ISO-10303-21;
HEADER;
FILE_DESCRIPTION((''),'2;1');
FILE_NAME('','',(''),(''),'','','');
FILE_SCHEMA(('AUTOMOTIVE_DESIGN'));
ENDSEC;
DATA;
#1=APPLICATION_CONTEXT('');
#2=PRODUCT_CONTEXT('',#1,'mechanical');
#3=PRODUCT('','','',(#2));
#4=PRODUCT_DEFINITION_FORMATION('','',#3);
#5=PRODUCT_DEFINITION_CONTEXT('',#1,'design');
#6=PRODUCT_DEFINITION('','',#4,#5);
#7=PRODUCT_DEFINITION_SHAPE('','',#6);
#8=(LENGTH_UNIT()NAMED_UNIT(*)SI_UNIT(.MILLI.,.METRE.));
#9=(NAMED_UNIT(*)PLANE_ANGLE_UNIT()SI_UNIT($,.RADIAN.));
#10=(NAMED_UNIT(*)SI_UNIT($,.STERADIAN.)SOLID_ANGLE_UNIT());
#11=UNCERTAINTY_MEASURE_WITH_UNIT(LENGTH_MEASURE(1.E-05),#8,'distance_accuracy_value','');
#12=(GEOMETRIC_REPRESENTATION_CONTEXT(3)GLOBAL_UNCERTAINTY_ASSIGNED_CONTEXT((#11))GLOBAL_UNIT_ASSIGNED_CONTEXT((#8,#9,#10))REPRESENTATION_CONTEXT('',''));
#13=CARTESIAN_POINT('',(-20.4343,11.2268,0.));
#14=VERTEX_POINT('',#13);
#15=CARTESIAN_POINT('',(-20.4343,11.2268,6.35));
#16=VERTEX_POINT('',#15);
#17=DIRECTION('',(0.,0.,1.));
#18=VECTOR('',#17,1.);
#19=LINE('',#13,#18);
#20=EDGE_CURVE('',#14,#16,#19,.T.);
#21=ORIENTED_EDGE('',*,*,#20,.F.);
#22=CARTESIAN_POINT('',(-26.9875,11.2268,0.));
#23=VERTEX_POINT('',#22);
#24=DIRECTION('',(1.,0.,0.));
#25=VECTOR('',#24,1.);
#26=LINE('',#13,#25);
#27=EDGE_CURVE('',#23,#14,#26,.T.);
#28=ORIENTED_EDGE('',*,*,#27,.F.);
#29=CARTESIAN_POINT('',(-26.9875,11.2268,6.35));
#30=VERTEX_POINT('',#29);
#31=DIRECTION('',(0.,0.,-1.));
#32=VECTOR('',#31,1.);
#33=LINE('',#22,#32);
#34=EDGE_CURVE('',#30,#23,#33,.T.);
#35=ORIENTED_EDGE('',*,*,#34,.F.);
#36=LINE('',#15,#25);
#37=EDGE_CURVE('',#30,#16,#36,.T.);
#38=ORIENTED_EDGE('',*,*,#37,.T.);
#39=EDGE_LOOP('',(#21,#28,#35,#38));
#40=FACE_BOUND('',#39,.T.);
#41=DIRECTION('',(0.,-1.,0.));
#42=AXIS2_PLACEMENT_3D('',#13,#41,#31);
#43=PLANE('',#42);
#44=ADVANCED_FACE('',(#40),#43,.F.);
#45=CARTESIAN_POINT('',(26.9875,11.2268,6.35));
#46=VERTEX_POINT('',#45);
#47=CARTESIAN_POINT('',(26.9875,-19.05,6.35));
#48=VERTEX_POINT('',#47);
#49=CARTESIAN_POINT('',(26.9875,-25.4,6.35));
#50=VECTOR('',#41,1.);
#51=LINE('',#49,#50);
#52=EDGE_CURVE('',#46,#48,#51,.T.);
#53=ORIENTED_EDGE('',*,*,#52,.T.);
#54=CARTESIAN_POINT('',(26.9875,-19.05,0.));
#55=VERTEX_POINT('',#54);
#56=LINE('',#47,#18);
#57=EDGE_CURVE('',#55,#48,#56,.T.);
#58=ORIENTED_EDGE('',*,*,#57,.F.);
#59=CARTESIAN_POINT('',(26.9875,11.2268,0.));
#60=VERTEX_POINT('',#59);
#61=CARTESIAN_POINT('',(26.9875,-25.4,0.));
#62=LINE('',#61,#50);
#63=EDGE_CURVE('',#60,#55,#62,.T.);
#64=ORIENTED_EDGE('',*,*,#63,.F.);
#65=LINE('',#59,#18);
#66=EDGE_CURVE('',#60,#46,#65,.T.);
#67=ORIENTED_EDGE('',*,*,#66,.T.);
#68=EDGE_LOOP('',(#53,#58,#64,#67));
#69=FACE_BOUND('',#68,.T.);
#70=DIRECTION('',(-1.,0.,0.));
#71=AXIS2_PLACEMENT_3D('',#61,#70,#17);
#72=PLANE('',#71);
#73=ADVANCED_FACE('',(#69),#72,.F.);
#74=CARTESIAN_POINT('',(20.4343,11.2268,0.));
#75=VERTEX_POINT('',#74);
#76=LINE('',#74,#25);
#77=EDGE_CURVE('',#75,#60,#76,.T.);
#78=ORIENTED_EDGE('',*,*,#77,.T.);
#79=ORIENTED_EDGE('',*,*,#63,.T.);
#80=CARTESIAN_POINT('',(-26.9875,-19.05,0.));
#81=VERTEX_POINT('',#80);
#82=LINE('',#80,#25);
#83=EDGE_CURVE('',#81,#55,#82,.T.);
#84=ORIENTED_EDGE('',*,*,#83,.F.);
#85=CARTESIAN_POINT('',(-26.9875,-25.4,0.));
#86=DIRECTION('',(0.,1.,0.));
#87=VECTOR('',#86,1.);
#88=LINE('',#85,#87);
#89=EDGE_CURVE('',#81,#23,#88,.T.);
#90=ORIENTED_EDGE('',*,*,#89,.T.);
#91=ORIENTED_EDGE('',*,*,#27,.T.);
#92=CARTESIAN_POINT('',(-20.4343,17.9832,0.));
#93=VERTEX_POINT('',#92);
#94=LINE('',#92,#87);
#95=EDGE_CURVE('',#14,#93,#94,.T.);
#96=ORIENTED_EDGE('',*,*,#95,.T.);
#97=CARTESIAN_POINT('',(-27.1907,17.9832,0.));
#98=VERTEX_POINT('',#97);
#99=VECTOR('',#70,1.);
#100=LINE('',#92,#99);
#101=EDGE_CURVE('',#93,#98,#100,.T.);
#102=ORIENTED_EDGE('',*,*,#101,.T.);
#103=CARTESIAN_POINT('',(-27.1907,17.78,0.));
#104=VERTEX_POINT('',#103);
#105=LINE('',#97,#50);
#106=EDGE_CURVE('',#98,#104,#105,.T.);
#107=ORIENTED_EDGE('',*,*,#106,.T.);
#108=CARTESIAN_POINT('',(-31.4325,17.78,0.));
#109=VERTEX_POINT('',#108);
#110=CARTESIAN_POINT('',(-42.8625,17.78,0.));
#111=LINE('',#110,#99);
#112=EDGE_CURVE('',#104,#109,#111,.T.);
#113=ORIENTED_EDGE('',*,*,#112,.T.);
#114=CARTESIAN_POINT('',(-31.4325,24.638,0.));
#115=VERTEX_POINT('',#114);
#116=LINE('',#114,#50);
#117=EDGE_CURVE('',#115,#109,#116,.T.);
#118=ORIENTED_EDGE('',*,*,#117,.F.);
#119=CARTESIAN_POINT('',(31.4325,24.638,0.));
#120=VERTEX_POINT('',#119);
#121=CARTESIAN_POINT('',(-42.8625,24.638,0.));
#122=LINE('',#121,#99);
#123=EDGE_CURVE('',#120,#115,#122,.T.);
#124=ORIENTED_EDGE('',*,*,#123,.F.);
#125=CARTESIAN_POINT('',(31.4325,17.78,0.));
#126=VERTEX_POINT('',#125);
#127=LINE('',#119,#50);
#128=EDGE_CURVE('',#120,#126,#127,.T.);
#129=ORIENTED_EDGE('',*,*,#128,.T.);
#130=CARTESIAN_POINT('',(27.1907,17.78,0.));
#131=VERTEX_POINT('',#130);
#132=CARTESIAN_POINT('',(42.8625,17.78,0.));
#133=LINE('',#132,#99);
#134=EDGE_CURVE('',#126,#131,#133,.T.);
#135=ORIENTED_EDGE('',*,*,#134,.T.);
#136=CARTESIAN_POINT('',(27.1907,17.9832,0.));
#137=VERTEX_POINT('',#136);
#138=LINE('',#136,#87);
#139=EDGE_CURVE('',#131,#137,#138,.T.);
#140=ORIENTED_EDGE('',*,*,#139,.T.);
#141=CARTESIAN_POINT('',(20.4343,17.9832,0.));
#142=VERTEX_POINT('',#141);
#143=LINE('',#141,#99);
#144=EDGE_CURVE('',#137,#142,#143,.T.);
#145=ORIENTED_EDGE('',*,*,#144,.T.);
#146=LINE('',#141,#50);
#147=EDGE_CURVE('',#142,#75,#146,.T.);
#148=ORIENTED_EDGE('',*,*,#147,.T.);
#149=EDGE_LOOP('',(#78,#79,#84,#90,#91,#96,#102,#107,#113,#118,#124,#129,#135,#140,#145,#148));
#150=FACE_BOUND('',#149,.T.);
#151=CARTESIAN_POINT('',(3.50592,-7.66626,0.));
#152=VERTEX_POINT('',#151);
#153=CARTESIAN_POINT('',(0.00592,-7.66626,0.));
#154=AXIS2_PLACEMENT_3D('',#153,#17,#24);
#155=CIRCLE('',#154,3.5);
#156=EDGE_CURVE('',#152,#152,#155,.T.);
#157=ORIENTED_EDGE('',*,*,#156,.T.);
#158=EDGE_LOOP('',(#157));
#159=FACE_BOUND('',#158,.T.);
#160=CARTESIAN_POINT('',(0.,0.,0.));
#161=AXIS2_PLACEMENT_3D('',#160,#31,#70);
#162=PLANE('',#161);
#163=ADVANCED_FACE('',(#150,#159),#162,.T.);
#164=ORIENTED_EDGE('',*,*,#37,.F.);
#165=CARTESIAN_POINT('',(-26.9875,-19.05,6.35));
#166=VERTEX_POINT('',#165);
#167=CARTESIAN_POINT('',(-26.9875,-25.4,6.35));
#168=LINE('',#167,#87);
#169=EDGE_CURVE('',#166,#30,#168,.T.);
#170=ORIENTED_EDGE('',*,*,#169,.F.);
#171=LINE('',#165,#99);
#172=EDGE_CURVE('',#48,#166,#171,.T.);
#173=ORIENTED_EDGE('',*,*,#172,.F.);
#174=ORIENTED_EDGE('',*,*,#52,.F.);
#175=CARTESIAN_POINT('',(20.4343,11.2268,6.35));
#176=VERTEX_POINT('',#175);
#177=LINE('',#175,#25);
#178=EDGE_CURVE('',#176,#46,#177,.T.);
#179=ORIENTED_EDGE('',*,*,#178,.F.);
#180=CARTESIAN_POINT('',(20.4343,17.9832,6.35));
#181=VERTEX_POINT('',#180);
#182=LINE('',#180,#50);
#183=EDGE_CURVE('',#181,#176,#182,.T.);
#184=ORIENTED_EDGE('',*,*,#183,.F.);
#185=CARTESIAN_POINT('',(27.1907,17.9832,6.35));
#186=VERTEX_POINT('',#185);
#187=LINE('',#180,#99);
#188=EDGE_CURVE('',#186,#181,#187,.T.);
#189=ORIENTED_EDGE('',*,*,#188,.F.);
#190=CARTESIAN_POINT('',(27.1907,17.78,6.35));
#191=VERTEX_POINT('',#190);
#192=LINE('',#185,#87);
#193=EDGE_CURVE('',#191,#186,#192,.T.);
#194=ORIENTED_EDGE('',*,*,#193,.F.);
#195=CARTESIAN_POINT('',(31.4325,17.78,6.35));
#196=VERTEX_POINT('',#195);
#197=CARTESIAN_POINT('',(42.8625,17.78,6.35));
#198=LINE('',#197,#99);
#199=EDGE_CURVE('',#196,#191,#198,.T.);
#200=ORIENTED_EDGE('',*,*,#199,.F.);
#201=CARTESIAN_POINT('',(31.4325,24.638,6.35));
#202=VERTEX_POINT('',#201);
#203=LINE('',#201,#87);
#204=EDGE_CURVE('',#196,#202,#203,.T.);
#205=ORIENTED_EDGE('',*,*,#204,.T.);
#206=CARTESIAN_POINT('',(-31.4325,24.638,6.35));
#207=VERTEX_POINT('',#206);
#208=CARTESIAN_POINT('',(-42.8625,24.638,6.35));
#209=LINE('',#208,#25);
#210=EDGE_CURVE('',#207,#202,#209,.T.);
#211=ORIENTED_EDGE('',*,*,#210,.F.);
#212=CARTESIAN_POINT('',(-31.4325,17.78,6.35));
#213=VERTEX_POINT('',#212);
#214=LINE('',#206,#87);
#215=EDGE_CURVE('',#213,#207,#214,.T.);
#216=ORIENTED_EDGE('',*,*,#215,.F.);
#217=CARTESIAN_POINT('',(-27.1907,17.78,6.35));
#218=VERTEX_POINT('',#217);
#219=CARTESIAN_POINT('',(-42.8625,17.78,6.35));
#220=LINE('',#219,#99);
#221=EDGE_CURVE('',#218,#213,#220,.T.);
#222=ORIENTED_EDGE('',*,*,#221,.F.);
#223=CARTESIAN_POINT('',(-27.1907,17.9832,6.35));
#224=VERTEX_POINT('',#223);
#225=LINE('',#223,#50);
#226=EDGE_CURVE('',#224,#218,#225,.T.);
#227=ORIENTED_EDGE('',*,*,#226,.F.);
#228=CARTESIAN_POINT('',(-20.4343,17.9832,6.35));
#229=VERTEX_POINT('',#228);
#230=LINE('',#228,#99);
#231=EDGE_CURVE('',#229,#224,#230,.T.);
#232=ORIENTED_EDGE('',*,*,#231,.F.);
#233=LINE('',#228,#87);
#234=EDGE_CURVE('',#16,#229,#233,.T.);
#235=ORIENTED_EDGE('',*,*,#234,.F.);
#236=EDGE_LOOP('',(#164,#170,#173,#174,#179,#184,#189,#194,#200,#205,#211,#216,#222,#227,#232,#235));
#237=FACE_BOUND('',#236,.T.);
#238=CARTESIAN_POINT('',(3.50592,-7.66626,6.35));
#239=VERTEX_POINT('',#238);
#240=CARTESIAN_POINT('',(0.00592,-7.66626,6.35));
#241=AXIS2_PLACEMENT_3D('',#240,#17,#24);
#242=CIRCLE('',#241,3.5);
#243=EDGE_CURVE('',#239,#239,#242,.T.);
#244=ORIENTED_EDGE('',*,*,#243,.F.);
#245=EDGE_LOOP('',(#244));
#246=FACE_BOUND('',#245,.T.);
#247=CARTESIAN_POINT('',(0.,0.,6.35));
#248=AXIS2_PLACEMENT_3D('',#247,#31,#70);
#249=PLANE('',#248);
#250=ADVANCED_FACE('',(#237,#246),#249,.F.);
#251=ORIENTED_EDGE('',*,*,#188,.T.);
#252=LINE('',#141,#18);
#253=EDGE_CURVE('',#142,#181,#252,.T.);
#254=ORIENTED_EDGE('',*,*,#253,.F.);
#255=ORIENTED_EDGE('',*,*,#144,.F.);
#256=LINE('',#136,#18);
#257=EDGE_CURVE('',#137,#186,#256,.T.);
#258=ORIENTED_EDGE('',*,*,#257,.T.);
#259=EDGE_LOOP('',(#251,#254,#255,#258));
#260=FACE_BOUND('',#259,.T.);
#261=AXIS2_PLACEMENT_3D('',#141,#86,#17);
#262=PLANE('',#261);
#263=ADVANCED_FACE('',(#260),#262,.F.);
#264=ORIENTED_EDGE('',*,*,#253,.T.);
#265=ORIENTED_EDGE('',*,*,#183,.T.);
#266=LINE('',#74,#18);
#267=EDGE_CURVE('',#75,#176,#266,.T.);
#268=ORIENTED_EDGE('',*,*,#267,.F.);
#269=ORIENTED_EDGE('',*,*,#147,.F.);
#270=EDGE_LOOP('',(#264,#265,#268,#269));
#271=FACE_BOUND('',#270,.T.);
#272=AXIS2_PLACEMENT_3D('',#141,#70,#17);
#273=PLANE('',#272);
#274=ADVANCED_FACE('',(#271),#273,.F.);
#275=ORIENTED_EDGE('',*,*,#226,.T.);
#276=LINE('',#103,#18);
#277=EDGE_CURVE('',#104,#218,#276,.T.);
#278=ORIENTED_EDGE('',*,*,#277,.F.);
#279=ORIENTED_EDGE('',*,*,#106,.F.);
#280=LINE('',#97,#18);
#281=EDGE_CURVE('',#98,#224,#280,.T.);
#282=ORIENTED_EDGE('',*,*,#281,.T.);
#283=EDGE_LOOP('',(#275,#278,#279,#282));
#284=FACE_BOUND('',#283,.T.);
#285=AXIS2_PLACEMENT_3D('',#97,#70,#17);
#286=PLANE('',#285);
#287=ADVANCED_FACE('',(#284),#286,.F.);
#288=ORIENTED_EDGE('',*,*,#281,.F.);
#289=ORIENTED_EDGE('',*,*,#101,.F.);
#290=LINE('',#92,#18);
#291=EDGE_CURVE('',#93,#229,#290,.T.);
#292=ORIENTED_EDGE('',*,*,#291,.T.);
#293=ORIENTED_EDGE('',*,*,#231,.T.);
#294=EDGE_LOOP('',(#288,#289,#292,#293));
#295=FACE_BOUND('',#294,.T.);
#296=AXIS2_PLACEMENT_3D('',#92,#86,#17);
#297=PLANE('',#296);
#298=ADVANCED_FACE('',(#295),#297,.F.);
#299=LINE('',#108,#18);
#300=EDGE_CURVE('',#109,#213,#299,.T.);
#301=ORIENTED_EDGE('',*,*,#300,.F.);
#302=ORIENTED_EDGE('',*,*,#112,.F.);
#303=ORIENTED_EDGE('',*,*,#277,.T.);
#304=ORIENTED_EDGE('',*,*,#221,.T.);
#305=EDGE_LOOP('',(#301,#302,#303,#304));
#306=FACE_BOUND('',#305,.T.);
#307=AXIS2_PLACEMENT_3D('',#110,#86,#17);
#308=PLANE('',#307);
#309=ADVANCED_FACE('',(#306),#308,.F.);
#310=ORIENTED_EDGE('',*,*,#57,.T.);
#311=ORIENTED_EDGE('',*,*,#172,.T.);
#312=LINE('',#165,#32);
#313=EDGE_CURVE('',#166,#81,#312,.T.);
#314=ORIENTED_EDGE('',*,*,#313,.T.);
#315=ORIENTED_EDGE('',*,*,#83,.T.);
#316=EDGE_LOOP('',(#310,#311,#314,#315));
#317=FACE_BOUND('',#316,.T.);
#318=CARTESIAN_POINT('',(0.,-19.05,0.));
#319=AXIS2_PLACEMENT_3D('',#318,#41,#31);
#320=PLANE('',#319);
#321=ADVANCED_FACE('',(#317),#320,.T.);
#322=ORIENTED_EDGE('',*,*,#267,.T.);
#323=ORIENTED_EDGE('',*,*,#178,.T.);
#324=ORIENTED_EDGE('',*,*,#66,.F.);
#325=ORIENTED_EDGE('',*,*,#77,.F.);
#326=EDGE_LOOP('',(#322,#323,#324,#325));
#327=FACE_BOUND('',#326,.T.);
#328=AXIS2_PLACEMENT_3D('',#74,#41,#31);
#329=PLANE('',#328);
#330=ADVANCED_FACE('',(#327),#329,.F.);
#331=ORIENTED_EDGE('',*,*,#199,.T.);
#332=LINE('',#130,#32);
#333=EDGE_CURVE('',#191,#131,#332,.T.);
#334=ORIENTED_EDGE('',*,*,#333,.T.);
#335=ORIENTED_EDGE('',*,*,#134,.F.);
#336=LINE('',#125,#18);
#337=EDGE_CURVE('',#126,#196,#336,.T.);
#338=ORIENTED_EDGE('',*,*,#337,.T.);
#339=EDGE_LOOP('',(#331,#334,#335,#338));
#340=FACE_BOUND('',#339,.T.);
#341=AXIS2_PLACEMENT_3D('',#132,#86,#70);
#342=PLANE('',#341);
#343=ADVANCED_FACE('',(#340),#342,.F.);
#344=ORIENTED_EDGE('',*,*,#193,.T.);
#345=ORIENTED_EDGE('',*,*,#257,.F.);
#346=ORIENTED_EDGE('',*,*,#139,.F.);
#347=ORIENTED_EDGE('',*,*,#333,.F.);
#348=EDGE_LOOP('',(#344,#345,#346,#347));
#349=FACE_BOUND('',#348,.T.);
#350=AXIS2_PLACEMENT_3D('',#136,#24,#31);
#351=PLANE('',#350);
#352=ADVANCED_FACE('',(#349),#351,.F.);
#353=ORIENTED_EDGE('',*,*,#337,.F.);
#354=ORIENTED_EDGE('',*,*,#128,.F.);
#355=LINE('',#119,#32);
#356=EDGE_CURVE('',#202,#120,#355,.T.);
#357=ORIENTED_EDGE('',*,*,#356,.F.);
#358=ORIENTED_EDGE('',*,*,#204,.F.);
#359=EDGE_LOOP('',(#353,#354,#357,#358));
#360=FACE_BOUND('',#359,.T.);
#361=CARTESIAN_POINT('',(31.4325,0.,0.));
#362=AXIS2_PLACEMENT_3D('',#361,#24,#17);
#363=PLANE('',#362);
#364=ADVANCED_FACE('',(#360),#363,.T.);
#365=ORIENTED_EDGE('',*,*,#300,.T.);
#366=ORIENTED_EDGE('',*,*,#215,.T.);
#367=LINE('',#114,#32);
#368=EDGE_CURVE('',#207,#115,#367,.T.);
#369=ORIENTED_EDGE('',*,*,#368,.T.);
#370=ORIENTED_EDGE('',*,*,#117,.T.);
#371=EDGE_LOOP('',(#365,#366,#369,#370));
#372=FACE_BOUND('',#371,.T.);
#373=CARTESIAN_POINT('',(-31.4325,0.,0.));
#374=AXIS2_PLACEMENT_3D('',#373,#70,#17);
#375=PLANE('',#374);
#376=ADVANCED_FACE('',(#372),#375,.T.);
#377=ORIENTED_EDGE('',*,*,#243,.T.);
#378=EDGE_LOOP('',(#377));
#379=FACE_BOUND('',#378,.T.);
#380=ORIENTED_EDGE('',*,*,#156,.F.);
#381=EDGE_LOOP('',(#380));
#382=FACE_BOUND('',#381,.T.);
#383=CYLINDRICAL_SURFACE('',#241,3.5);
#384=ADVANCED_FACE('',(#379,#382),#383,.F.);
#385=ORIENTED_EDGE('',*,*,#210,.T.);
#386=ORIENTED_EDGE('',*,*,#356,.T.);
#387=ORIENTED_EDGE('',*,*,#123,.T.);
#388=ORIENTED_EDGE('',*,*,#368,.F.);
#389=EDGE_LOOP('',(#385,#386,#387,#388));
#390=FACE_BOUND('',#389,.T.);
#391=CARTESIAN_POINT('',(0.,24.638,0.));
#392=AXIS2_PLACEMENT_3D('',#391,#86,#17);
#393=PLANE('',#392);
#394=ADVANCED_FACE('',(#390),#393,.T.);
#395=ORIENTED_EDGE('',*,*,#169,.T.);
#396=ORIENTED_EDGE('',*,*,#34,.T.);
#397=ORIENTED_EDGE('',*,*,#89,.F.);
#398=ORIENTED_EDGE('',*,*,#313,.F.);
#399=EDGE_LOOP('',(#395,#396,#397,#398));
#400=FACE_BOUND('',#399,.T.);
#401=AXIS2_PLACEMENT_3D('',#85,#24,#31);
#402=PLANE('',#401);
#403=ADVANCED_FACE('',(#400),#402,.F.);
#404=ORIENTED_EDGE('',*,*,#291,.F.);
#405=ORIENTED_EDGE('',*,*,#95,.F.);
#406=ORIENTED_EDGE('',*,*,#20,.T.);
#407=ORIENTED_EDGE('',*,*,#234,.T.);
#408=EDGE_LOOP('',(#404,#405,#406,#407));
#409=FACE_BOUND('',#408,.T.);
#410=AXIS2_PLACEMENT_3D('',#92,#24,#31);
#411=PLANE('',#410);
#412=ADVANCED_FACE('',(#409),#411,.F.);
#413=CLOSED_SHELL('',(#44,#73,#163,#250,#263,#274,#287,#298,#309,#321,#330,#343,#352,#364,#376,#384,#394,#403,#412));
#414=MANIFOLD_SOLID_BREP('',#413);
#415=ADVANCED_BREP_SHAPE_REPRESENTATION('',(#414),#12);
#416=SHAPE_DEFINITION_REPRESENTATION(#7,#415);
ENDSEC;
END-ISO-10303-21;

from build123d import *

# Parameters (mm, degrees)
SKETCH1_W            = 85.725
SKETCH1_H            = 50.8
BOSS_EXTRUDE1_DEPTH  = 6.35
SKETCH2_W            = 15.875
SKETCH2_H            = 43.18
CUT_EXTRUDE1_DEPTH   = 6.35
SKETCH3_W            = 85.725
SKETCH3_H            = 6.35
CUT_EXTRUDE2_DEPTH   = 0.762
SKETCH5_W            = 6.35
SKETCH5_H            = 6.35
CUT_EXTRUDE3_DEPTH   = 6.35
SKETCH7_W            = 6.35
SKETCH7_H            = 6.858
CUT_EXTRUDE5_DEPTH   = 11.43
SKETCH8_W            = 53.975
SKETCH8_H            = 6.35
CUT_EXTRUDE6_DEPTH   = 6.35
M6_CLEARANCE_HOLE1_D = 7
SKETCH12_W           = 6.7564
SKETCH12_H           = 6.7564
CUT_EXTRUDE7_DEPTH   = 41.439530169


with BuildPart() as part:
    # Sketch1 → Boss-Extrude1 (new body)
    with BuildSketch(Plane.XY):
        Rectangle(SKETCH1_W, SKETCH1_H)
    extrude(amount=BOSS_EXTRUDE1_DEPTH)

    # Sketch2 → Cut-Extrude1 (cut)
    with BuildSketch(Plane.XY.offset(6.35)):
        with Locations((-34.925, -3.81)):
            Rectangle(SKETCH2_W, SKETCH2_H)
        with Locations((34.925, -3.81)):
            Rectangle(SKETCH2_W, SKETCH2_H)
    extrude(amount=-CUT_EXTRUDE1_DEPTH, mode=Mode.SUBTRACT)

    # Sketch3 → Cut-Extrude2 (cut)
    with BuildSketch(Plane(origin=(0, 25.4, 0), x_dir=(1, 0, 0), z_dir=(0, 1, 0))):
        with Locations((0, -3.175)):
            Rectangle(SKETCH3_W, SKETCH3_H)
    extrude(amount=-CUT_EXTRUDE2_DEPTH, mode=Mode.SUBTRACT)

    # Sketch5 → Cut-Extrude3 (cut)
    with BuildSketch(Plane.ZY.offset(26.9875)):
        with Locations((3.175, 14.605)):
            Rectangle(SKETCH5_W, SKETCH5_H)
    cut_extrude3 = extrude(amount=-CUT_EXTRUDE3_DEPTH, mode=Mode.SUBTRACT)

    # Mirror1: Cut-Extrude3 across plane
    add(cut_extrude3.mirror(Plane(origin=(0, 0, 0), x_dir=(0, 0, 1), z_dir=(1, 0, 0))), mode=Mode.SUBTRACT)

    # Sketch7 → Cut-Extrude5 (cut)
    with BuildSketch(Plane.ZY.offset(42.8625)):
        with Locations((3.175, 21.209)):
            Rectangle(SKETCH7_W, SKETCH7_H)
    cut_extrude5 = extrude(amount=-CUT_EXTRUDE5_DEPTH, mode=Mode.SUBTRACT)

    # Mirror2: Cut-Extrude5 across plane
    add(cut_extrude5.mirror(Plane(origin=(0, 0, 0), x_dir=(0, 0, 1), z_dir=(1, 0, 0))), mode=Mode.SUBTRACT)

    # Sketch8 → Cut-Extrude6 (cut)
    with BuildSketch(Plane.XZ.offset(25.4)):
        with Locations((0, 3.175)):
            Rectangle(SKETCH8_W, SKETCH8_H)
    extrude(amount=-CUT_EXTRUDE6_DEPTH, mode=Mode.SUBTRACT)

    # M6 Clearance Hole1 (through all)
    with Locations(Plane.XY.offset(6.35)):
        with Locations((0.00592, -7.666260004)):
            Hole(M6_CLEARANCE_HOLE1_D / 2)

    # Sketch12 → Cut-Extrude7 (cut, through all)
    with BuildSketch(Plane.XY.offset(6.35)):
        with Locations((-23.8125, 14.605)):
            Rectangle(SKETCH12_W, SKETCH12_H)
        with Locations((23.8125, 14.605)):
            Rectangle(SKETCH12_W, SKETCH12_H)
    extrude(amount=-CUT_EXTRUDE7_DEPTH, mode=Mode.SUBTRACT)


solid = part.part
